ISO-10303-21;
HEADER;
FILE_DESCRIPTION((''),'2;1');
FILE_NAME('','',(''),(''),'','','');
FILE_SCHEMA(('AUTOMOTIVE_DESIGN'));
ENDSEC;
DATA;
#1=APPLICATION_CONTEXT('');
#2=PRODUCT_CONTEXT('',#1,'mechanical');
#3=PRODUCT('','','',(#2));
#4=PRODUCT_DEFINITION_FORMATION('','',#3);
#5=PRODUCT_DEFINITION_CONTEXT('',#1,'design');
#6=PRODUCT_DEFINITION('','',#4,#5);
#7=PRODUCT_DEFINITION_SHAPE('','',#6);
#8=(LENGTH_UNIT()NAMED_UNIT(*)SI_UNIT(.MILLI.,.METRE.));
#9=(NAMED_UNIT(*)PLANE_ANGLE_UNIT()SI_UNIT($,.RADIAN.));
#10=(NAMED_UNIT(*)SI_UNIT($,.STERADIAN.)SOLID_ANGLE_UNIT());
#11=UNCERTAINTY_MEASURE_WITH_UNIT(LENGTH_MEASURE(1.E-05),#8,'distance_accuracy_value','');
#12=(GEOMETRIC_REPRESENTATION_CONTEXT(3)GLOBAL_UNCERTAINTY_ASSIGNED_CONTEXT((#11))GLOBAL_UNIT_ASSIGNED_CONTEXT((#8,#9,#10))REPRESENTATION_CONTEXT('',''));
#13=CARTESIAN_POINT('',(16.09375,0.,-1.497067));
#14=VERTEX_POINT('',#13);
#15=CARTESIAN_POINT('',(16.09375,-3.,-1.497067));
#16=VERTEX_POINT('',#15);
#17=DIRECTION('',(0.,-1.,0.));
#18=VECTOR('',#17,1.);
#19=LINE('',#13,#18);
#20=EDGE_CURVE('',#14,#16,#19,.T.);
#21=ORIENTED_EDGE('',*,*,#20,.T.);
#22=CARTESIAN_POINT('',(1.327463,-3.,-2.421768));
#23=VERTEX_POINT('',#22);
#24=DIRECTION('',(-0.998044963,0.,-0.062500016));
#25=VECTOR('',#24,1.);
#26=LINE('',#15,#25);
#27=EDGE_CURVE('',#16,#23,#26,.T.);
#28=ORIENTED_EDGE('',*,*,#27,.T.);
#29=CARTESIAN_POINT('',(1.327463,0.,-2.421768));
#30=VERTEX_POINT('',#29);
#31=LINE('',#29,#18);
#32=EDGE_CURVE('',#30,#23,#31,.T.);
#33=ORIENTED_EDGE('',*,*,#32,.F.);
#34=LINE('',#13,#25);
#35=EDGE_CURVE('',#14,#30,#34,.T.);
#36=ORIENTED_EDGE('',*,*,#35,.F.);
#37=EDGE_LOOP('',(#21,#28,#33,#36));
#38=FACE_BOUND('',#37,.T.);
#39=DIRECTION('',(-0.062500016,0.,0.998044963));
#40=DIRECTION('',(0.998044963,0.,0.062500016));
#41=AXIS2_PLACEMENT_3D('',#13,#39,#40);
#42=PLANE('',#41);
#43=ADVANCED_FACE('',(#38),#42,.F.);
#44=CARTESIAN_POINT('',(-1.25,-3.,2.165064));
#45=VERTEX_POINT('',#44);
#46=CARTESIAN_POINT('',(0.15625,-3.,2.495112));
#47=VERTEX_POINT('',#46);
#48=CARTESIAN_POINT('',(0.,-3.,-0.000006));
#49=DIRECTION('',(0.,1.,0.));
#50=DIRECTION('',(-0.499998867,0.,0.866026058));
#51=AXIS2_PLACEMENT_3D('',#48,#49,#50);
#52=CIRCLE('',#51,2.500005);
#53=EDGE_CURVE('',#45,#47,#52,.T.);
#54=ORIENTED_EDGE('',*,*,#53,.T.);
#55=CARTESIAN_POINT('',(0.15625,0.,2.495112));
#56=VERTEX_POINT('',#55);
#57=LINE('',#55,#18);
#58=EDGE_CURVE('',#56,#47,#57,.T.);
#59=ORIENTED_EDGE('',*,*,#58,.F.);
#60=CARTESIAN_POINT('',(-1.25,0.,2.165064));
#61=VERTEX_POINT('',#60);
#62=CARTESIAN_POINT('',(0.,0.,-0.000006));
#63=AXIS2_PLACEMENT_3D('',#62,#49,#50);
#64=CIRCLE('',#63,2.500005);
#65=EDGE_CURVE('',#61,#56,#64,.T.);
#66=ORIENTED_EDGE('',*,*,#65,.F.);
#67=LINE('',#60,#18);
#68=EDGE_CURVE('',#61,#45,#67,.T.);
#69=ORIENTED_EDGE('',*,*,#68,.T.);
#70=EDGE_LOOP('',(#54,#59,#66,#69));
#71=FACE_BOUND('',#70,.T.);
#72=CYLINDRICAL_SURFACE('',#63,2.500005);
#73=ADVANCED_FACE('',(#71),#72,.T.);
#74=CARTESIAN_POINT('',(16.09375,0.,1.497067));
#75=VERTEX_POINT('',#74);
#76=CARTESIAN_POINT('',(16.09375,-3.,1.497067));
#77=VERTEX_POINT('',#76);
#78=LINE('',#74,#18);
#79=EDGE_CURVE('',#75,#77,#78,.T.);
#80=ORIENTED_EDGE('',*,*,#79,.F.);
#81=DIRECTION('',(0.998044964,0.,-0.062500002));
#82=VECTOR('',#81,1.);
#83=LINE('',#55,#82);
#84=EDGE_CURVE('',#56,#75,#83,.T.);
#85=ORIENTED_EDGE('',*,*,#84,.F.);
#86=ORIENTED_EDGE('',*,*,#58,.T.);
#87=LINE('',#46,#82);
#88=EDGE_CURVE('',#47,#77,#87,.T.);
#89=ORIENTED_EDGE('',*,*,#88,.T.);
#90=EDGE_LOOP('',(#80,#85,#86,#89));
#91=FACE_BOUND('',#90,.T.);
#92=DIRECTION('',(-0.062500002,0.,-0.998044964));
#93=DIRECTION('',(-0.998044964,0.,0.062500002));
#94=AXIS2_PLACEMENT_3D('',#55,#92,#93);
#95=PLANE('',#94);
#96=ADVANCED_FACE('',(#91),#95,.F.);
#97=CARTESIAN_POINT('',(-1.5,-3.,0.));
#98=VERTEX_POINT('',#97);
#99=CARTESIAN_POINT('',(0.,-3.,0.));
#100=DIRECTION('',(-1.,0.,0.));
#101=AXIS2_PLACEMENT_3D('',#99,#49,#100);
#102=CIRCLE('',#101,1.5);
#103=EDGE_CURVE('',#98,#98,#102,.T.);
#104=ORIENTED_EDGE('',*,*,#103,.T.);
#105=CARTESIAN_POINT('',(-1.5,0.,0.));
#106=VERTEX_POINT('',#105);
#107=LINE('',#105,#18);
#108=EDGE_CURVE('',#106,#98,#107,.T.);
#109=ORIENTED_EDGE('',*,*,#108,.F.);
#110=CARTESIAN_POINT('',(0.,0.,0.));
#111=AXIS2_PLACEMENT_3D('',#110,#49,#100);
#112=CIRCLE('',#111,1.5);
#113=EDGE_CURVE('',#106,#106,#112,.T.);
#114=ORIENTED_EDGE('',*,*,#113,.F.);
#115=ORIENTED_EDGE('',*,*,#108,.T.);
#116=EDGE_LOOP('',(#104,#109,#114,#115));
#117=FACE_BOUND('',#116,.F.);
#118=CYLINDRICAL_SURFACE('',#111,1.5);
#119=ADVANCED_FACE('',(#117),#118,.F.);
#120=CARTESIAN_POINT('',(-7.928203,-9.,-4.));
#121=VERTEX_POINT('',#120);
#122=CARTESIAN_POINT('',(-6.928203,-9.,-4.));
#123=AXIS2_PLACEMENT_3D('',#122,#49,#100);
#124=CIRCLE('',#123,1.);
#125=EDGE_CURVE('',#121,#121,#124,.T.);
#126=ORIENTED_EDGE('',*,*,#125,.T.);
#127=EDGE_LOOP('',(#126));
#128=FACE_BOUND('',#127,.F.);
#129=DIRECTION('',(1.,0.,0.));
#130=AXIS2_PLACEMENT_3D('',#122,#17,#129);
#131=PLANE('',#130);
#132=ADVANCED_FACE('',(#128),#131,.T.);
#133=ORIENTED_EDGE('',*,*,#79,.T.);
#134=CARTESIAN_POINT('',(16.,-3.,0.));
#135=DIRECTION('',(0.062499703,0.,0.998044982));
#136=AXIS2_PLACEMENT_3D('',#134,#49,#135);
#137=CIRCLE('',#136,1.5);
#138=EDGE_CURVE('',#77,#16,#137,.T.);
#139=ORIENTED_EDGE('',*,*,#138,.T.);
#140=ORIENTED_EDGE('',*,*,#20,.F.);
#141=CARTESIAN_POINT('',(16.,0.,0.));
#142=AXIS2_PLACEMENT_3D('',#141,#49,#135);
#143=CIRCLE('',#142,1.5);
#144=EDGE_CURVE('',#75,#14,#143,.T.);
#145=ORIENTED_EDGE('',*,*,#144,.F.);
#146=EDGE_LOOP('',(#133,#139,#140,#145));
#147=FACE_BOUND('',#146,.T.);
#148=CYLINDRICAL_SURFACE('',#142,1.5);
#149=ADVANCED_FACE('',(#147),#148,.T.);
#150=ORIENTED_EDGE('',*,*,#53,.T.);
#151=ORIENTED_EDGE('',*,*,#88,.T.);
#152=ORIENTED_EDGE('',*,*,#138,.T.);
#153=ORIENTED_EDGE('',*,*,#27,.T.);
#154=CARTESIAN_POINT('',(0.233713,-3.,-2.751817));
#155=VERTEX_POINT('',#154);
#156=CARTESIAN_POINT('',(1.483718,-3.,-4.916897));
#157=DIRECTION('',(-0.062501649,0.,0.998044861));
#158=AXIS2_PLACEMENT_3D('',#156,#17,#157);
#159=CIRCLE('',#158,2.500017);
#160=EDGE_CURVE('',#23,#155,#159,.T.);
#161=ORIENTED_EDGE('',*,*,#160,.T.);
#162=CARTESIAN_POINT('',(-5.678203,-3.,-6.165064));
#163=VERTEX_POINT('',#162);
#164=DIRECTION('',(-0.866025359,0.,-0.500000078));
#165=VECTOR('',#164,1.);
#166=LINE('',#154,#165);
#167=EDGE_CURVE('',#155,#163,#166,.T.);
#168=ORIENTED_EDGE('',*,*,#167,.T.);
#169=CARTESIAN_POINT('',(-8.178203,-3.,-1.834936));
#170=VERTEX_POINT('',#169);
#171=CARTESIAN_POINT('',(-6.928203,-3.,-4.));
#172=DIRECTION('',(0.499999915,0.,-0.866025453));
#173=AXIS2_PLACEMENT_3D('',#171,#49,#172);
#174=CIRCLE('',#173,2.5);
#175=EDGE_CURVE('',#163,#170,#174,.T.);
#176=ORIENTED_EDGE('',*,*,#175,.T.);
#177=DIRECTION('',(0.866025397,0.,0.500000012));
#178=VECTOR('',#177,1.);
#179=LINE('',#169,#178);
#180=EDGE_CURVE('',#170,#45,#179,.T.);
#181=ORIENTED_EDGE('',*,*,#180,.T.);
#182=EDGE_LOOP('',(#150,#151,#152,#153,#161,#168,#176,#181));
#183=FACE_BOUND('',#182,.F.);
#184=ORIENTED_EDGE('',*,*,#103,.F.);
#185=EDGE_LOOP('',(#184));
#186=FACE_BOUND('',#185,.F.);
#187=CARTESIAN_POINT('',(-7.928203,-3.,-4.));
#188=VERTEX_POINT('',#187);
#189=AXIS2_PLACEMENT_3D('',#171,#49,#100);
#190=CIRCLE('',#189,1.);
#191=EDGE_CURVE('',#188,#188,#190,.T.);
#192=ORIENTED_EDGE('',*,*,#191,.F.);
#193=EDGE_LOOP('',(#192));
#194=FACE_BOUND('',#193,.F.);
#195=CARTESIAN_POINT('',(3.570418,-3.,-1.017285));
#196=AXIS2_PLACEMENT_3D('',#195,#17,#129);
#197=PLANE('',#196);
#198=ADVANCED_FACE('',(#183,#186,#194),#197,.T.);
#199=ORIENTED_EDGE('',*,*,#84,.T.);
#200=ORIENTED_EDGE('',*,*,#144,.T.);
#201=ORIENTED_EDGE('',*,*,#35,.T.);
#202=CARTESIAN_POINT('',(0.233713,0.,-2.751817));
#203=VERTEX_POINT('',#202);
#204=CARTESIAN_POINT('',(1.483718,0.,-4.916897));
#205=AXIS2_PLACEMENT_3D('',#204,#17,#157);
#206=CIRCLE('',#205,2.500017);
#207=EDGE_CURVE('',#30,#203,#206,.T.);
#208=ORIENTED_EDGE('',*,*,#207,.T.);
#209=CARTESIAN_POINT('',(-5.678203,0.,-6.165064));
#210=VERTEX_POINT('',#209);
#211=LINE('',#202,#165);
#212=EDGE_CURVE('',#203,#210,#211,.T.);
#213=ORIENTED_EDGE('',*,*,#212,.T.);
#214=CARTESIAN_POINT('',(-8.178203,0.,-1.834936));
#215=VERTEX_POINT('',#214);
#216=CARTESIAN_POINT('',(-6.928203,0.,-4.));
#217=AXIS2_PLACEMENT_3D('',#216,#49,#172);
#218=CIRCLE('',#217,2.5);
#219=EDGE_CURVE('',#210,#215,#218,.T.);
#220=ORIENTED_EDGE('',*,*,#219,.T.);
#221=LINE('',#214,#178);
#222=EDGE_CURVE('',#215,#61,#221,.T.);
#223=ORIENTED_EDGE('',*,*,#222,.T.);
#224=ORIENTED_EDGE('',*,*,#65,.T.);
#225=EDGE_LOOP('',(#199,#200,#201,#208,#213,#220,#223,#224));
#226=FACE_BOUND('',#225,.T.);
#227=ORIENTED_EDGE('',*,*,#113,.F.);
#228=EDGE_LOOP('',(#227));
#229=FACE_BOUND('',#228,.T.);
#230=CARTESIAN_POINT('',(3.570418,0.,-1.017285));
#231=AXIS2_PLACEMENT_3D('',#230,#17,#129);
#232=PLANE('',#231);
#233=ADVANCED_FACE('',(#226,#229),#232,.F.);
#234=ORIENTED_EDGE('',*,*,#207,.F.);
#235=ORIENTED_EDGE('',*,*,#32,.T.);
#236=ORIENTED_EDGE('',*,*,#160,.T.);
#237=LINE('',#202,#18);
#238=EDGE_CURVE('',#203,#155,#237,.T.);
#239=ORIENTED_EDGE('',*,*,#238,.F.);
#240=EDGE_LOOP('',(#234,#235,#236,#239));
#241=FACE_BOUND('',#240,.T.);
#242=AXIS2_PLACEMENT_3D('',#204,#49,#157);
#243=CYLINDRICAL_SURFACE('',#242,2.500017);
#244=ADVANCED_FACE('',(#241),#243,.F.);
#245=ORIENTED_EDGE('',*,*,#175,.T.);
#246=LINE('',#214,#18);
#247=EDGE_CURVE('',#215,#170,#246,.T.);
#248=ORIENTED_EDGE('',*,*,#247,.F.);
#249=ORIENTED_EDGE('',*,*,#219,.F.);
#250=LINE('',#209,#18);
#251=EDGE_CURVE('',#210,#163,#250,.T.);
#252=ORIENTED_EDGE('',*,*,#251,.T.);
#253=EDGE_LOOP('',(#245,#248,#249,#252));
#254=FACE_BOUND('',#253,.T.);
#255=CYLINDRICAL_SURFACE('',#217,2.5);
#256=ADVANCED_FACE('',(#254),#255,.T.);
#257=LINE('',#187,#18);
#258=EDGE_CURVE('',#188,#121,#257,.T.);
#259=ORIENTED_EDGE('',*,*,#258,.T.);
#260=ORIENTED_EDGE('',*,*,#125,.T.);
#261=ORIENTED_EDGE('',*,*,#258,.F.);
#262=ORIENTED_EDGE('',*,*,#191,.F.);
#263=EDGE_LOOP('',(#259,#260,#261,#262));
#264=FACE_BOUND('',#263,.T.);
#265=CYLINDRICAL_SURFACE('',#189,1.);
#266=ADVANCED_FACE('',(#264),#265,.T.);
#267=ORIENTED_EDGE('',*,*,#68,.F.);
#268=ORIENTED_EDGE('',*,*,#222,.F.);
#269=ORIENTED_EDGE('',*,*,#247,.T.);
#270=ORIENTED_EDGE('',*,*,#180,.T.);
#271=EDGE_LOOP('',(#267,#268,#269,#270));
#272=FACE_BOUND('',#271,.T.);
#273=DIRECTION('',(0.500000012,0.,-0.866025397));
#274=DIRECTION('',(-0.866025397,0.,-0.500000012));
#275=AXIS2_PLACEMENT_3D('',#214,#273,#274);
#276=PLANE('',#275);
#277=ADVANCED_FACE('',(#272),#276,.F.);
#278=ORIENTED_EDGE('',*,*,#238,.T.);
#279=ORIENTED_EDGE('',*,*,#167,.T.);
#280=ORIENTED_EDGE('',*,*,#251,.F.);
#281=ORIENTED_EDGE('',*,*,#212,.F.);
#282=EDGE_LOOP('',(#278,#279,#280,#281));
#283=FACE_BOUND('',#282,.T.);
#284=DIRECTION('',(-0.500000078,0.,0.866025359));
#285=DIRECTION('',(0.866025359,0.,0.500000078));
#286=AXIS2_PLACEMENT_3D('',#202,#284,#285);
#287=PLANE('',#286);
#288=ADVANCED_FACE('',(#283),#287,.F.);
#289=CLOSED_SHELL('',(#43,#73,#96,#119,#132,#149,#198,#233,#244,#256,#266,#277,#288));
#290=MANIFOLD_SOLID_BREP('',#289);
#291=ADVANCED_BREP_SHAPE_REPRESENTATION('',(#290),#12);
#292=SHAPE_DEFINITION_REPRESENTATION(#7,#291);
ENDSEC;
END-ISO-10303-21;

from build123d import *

# Parameters (mm, degrees)
F0_R     = 1.5
F1_DEPTH = 3
F2_R     = 1
F3_DEPTH = 6


with BuildPart() as f1:
    # F0 (on Front) → F1 (new body)
    with BuildSketch(Plane.XZ):
        with BuildLine():
            Line((8.178203, -1.834936), (1.25, 2.165064))
            ThreePointArc((1.25, 2.165064), (0.571231, 2.433864), (-0.15625, 2.495112))
            Line((-0.15625, 2.495112), (-16.09375, 1.497067))
            ThreePointArc((-16.09375, 1.497067), (-17.5, 0), (-16.09375, -1.497067))
            Line((-16.09375, -1.497067), (-1.327463, -2.421768))
            ThreePointArc((-1.327463, -2.421768), (-0.761482, -2.523477), (-0.233713, -2.751817))
            Line((-0.233713, -2.751817), (5.678203, -6.165064))
            ThreePointArc((5.678203, -6.165064), (9.093267, -5.25), (8.178203, -1.834936))
        make_face()
        Circle(F0_R, mode=Mode.SUBTRACT)
    extrude(amount=F1_DEPTH)

    # F2 (on face) → F3 (join)
    with BuildSketch(Plane.XZ.offset(3)):
        with Locations((6.928203, -4)):
            Circle(F2_R)
    extrude(amount=F3_DEPTH)


with BuildPart() as f4_1:
    # F4: instance of F1
    add(f1.part.mirror(Plane.YZ))


solid = f4_1.part
